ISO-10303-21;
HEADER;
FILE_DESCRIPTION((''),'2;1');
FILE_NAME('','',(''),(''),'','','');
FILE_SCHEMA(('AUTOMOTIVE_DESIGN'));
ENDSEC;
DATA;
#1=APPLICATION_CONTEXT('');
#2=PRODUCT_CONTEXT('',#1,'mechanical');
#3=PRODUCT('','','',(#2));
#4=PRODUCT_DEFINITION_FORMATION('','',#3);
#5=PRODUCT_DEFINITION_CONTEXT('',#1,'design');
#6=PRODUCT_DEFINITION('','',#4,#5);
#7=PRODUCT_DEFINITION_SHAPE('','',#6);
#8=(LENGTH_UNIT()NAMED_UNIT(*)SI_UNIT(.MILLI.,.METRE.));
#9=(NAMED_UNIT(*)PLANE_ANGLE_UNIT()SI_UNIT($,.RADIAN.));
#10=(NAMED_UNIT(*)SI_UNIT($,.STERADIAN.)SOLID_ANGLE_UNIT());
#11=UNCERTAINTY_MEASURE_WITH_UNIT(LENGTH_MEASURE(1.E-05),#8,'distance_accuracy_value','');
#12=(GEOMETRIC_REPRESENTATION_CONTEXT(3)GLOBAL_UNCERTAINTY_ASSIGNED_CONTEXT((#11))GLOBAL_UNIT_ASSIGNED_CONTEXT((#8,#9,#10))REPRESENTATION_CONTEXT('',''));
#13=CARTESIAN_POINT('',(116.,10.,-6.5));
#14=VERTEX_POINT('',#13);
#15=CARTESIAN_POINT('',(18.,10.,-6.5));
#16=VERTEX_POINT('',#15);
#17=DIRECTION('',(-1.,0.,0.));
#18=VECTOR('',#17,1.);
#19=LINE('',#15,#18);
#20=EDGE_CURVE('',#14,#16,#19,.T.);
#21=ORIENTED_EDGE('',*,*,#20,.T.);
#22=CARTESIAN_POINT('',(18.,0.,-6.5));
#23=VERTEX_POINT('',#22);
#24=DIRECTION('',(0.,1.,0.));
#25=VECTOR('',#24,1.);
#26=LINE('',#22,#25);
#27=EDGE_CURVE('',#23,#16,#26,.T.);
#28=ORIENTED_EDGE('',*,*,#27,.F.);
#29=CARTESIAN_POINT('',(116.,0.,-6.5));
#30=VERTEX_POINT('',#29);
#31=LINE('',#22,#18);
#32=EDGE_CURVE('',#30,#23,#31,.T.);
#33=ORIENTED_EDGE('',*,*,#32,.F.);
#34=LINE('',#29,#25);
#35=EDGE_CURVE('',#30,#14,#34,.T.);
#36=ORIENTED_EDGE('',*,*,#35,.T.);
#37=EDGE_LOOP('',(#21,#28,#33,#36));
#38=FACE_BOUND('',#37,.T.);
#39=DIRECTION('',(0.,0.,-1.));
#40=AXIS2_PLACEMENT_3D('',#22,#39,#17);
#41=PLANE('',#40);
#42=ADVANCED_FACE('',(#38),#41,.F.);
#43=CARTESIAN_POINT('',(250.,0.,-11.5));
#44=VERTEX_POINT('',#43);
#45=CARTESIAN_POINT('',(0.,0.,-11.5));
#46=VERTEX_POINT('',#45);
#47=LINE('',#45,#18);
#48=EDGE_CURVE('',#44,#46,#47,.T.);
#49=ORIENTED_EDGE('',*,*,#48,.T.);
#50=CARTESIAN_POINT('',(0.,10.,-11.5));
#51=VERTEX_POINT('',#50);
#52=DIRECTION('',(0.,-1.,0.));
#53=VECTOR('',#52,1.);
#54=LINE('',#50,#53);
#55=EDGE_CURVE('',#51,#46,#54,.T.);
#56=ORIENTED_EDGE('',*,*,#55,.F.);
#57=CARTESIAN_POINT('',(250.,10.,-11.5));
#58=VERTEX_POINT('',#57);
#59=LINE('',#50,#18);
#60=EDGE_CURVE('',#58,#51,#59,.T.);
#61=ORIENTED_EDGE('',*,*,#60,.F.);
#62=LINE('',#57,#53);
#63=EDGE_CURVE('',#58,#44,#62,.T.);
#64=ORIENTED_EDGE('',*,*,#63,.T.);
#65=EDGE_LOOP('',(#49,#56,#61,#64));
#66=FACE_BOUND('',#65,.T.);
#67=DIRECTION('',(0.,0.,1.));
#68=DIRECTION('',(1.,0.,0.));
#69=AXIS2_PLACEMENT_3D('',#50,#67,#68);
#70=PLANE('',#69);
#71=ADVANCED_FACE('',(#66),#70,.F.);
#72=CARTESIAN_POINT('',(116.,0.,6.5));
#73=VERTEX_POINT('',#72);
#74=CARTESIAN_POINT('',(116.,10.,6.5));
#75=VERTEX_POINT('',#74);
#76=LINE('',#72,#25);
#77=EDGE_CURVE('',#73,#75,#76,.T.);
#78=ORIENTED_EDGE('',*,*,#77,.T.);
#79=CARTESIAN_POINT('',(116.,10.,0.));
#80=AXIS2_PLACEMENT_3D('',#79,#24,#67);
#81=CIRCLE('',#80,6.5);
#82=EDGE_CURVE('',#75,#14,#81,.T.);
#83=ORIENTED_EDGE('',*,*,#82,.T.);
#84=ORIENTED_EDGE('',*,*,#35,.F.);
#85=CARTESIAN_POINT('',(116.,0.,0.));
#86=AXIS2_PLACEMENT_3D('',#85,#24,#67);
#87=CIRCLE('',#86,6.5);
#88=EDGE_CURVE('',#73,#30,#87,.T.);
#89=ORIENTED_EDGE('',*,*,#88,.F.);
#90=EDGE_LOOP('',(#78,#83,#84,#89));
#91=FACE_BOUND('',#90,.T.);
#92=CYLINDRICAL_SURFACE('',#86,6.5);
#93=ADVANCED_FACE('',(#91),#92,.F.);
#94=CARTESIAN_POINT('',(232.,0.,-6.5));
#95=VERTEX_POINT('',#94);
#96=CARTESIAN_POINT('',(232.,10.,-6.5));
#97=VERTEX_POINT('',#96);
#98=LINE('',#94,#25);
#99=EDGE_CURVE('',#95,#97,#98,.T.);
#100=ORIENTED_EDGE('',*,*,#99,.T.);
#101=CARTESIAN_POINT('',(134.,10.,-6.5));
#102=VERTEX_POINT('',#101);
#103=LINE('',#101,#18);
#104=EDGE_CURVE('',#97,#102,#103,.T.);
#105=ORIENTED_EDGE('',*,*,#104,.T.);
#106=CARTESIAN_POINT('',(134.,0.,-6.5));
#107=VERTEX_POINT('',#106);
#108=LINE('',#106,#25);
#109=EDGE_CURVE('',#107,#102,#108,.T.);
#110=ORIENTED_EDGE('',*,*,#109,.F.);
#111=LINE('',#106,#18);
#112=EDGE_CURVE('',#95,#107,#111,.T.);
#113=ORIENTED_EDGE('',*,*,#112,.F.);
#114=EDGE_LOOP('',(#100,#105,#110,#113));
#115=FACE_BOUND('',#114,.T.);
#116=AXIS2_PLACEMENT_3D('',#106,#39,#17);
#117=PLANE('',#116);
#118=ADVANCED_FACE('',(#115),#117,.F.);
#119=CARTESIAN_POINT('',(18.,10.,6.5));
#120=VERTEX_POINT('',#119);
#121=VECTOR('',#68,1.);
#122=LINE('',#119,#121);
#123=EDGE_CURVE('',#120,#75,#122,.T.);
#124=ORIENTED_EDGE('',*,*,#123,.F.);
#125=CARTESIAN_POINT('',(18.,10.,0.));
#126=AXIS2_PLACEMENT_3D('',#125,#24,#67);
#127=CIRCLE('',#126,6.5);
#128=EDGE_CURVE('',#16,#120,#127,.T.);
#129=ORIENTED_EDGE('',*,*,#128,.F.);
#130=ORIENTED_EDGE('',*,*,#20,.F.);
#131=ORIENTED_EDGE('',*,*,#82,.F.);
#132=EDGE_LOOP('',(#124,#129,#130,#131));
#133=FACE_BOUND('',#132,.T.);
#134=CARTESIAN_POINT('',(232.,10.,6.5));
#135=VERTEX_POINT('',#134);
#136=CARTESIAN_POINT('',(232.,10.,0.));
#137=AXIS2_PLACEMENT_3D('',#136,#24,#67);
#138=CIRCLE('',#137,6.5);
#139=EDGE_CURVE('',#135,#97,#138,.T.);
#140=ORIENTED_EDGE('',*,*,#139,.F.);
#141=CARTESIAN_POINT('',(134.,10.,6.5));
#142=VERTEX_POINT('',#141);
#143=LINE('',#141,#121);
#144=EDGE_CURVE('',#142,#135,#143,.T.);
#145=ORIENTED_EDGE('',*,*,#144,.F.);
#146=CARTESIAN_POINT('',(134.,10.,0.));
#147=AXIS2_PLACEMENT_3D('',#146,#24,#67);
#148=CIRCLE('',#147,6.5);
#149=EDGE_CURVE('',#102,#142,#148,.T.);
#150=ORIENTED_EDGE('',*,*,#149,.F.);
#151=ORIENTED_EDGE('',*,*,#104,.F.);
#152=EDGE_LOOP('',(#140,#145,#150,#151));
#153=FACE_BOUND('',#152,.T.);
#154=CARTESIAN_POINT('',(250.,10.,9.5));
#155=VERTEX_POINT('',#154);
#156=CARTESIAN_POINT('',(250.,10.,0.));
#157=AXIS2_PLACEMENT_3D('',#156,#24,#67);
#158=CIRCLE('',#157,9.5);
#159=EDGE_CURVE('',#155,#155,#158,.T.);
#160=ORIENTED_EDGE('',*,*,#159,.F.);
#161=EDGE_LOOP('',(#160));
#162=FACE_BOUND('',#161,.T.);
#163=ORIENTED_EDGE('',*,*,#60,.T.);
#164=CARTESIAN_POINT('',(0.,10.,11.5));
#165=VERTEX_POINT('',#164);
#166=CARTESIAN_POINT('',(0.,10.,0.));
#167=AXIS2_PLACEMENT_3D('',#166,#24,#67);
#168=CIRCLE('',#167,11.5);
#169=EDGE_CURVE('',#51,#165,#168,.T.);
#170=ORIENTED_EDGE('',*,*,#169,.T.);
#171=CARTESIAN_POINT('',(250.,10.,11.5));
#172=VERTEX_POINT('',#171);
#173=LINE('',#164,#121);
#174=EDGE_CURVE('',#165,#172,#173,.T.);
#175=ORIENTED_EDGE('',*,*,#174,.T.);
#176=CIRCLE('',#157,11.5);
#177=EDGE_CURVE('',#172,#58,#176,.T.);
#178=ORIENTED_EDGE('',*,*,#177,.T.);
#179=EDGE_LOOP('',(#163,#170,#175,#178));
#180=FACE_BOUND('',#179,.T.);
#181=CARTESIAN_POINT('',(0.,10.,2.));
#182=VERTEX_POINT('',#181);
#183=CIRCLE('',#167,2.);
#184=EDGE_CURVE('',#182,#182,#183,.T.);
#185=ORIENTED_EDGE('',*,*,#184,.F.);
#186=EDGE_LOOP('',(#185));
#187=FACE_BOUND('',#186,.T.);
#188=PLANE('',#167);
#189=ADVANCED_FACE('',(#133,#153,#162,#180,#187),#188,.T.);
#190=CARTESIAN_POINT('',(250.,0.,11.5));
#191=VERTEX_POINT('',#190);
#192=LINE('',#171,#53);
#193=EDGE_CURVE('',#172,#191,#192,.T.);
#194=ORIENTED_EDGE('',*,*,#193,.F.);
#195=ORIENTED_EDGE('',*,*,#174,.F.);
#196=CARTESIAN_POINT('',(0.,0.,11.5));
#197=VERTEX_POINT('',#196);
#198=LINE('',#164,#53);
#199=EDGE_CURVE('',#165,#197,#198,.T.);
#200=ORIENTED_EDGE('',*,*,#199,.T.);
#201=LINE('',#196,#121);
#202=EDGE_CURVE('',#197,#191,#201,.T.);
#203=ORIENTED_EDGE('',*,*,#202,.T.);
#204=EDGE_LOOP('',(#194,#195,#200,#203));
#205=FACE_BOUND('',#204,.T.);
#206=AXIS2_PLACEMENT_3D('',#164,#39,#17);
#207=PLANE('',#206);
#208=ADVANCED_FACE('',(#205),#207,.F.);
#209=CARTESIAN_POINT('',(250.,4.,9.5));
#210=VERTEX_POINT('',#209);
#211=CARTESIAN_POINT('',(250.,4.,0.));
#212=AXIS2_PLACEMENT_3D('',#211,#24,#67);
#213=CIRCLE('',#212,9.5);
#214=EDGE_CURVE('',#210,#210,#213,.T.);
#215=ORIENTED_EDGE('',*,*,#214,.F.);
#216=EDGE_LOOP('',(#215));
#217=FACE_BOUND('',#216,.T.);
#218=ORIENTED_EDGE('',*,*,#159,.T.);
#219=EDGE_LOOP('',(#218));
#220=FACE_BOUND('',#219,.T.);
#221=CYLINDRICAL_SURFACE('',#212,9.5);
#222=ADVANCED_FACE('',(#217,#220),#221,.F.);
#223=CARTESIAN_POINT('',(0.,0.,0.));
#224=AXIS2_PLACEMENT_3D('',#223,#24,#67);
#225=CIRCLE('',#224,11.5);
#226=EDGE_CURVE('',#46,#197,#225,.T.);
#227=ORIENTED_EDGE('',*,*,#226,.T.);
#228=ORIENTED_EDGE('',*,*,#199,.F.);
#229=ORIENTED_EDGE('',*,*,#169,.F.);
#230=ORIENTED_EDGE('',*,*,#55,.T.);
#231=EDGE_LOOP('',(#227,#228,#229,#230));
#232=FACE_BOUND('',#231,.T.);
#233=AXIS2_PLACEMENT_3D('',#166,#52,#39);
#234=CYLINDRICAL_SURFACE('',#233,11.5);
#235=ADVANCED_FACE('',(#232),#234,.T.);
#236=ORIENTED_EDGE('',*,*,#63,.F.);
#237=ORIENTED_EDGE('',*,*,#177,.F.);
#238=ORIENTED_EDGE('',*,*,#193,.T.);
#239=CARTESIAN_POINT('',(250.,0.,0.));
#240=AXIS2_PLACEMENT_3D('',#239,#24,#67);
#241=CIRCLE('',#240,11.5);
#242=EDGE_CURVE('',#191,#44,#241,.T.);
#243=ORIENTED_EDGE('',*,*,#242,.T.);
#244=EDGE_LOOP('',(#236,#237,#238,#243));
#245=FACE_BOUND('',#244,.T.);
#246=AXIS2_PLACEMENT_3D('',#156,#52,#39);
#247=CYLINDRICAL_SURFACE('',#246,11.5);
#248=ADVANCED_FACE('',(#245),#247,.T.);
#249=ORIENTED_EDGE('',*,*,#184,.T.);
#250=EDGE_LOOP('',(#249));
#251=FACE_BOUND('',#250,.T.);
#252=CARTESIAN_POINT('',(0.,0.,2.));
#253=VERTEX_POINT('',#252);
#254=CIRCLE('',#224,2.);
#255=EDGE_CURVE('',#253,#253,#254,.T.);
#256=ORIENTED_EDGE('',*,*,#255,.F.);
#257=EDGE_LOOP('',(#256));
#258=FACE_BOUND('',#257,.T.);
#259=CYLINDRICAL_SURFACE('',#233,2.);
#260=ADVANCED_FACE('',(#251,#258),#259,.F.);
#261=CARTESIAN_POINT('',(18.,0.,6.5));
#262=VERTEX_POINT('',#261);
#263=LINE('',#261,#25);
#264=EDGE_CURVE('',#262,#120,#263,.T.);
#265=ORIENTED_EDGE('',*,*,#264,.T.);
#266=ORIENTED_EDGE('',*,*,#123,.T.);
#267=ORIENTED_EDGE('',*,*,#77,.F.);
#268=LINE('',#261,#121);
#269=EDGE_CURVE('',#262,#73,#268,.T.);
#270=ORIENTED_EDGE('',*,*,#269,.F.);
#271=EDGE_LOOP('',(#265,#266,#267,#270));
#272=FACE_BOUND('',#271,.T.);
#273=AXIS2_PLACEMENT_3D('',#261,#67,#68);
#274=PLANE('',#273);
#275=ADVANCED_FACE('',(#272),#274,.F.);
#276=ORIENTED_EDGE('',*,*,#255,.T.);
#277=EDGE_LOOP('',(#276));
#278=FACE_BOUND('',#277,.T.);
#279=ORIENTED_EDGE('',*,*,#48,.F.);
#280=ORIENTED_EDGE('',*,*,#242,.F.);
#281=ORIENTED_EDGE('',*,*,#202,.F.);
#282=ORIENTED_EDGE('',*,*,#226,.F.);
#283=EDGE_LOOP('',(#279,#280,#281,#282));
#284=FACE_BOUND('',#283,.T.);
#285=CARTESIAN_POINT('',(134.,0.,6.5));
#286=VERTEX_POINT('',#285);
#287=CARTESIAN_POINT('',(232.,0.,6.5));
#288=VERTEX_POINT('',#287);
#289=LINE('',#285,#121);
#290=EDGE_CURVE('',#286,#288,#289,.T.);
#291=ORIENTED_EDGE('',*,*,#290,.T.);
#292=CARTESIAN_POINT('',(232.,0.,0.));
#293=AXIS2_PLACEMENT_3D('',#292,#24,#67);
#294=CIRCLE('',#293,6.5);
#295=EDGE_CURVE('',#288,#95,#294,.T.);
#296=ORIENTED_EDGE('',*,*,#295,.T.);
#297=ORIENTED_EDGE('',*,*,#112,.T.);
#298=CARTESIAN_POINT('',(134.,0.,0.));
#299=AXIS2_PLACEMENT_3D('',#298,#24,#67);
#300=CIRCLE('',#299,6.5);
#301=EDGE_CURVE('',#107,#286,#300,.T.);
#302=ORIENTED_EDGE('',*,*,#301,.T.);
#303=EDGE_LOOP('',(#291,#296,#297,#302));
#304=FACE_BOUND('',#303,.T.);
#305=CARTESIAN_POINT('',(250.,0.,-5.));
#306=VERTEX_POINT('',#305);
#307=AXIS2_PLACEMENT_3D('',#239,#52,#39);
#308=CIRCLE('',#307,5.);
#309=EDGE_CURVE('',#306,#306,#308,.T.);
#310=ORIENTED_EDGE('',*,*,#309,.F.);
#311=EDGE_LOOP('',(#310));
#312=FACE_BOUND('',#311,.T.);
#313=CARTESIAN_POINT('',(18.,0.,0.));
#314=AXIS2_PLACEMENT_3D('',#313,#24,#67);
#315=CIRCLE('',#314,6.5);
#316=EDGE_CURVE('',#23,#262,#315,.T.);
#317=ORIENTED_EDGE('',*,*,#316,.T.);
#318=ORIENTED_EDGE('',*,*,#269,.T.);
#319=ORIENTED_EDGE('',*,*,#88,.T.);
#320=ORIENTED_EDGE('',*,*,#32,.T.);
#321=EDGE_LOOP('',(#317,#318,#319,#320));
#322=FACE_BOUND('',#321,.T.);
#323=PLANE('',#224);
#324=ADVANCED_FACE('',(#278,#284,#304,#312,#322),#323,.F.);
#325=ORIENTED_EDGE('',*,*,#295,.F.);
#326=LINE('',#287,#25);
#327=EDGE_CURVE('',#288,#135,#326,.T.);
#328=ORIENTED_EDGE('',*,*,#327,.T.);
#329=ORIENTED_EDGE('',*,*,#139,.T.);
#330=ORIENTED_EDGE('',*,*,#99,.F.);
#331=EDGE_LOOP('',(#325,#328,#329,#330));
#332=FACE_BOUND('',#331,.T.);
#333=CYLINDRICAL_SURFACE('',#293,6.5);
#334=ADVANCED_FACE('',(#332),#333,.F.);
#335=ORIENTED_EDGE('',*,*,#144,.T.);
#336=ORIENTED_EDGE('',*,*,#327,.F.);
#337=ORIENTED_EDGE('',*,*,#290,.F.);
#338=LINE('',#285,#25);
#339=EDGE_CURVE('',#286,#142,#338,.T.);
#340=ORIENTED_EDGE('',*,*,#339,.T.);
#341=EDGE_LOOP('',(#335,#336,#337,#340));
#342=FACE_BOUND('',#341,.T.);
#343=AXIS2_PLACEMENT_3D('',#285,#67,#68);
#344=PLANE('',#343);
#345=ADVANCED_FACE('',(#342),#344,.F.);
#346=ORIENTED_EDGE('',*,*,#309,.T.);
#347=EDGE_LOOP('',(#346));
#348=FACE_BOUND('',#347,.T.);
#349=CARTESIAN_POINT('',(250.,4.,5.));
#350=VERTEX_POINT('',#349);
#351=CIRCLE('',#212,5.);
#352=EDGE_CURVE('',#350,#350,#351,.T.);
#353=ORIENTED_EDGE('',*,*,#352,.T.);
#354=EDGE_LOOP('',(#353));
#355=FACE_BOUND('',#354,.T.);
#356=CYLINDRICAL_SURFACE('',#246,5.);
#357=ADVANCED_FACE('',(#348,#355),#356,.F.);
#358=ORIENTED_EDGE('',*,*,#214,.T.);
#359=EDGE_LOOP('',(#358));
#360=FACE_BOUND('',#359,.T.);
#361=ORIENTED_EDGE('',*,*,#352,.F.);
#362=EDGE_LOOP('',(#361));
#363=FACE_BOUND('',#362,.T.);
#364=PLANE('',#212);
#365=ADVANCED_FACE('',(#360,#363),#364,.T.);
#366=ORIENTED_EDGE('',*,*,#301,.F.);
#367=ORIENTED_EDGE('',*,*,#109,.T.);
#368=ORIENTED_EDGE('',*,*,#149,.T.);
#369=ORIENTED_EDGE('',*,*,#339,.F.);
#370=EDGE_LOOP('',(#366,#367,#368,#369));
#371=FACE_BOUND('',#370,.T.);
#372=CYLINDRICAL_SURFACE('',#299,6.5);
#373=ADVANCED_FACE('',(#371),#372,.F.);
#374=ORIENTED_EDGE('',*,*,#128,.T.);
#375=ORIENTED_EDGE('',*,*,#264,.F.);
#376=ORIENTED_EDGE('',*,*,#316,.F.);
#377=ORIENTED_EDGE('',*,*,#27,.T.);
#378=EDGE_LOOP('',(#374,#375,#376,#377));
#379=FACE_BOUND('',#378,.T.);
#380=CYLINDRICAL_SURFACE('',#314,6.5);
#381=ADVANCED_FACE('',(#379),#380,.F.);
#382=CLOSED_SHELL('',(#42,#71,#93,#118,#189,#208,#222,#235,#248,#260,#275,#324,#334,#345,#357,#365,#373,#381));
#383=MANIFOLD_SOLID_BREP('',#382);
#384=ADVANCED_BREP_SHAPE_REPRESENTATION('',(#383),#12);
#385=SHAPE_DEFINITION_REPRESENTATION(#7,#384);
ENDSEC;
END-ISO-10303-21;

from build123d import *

# Parameters (mm, degrees)
SKETCH1_R           = 2
BOSS_EXTRUDE1_DEPTH = 10
SKETCH2_R           = 9.5
CUT_EXTRUDE1_DEPTH  = 6
SKETCH3_R           = 5
CUT_EXTRUDE2_DEPTH  = 11
CUT_EXTRUDE3_DEPTH  = 11


with BuildPart() as part:
    # Sketch1 → Boss-Extrude1 (new body)
    with BuildSketch(Plane(origin=(0, 0, 0), x_dir=(1, 0, 0), z_dir=(0, 1, 0))):
        with BuildLine():
            Line((0, 11.5), (250, 11.5))
            ThreePointArc((250, 11.5), (261.5, 0), (250, -11.5))
            Line((250, -11.5), (0, -11.5))
            ThreePointArc((0, -11.5), (-11.5, 0), (0, 11.5))
        make_face()
        Circle(SKETCH1_R, mode=Mode.SUBTRACT)
    extrude(amount=BOSS_EXTRUDE1_DEPTH)

    # Sketch2 → Cut-Extrude1 (cut)
    with BuildSketch(Plane(origin=(0, 10, 0), x_dir=(1, 0, 0), z_dir=(0, 1, 0))):
        with Locations((250, 0)):
            Circle(SKETCH2_R)
    extrude(amount=-CUT_EXTRUDE1_DEPTH, mode=Mode.SUBTRACT)

    # Sketch3 → Cut-Extrude2 (cut, through all)
    with BuildSketch(Plane(origin=(0, 0, 0), x_dir=(-1, 0, 0), z_dir=(0, -1, 0))):
        with Locations((-250, 0)):
            Circle(SKETCH3_R)
    extrude(amount=-CUT_EXTRUDE2_DEPTH, mode=Mode.SUBTRACT)

    # Sketch4 → Cut-Extrude3 (cut, through all)
    with BuildSketch(Plane(origin=(0, 10, 0), x_dir=(1, 0, 0), z_dir=(0, 1, 0))):
        with BuildLine():
            Line((18, 6.5), (116, 6.5))
            ThreePointArc((116, 6.5), (122.5, 0), (116, -6.5))
            Line((116, -6.5), (18, -6.5))
            ThreePointArc((18, -6.5), (11.5, 0), (18, 6.5))
        make_face()
        with BuildLine():
            Line((134, 6.5), (232, 6.5))
            ThreePointArc((232, 6.5), (238.5, 0), (232, -6.5))
            Line((232, -6.5), (134, -6.5))
            ThreePointArc((134, -6.5), (127.5, 0), (134, 6.5))
        make_face()
    extrude(amount=-CUT_EXTRUDE3_DEPTH, mode=Mode.SUBTRACT)


solid = part.part
